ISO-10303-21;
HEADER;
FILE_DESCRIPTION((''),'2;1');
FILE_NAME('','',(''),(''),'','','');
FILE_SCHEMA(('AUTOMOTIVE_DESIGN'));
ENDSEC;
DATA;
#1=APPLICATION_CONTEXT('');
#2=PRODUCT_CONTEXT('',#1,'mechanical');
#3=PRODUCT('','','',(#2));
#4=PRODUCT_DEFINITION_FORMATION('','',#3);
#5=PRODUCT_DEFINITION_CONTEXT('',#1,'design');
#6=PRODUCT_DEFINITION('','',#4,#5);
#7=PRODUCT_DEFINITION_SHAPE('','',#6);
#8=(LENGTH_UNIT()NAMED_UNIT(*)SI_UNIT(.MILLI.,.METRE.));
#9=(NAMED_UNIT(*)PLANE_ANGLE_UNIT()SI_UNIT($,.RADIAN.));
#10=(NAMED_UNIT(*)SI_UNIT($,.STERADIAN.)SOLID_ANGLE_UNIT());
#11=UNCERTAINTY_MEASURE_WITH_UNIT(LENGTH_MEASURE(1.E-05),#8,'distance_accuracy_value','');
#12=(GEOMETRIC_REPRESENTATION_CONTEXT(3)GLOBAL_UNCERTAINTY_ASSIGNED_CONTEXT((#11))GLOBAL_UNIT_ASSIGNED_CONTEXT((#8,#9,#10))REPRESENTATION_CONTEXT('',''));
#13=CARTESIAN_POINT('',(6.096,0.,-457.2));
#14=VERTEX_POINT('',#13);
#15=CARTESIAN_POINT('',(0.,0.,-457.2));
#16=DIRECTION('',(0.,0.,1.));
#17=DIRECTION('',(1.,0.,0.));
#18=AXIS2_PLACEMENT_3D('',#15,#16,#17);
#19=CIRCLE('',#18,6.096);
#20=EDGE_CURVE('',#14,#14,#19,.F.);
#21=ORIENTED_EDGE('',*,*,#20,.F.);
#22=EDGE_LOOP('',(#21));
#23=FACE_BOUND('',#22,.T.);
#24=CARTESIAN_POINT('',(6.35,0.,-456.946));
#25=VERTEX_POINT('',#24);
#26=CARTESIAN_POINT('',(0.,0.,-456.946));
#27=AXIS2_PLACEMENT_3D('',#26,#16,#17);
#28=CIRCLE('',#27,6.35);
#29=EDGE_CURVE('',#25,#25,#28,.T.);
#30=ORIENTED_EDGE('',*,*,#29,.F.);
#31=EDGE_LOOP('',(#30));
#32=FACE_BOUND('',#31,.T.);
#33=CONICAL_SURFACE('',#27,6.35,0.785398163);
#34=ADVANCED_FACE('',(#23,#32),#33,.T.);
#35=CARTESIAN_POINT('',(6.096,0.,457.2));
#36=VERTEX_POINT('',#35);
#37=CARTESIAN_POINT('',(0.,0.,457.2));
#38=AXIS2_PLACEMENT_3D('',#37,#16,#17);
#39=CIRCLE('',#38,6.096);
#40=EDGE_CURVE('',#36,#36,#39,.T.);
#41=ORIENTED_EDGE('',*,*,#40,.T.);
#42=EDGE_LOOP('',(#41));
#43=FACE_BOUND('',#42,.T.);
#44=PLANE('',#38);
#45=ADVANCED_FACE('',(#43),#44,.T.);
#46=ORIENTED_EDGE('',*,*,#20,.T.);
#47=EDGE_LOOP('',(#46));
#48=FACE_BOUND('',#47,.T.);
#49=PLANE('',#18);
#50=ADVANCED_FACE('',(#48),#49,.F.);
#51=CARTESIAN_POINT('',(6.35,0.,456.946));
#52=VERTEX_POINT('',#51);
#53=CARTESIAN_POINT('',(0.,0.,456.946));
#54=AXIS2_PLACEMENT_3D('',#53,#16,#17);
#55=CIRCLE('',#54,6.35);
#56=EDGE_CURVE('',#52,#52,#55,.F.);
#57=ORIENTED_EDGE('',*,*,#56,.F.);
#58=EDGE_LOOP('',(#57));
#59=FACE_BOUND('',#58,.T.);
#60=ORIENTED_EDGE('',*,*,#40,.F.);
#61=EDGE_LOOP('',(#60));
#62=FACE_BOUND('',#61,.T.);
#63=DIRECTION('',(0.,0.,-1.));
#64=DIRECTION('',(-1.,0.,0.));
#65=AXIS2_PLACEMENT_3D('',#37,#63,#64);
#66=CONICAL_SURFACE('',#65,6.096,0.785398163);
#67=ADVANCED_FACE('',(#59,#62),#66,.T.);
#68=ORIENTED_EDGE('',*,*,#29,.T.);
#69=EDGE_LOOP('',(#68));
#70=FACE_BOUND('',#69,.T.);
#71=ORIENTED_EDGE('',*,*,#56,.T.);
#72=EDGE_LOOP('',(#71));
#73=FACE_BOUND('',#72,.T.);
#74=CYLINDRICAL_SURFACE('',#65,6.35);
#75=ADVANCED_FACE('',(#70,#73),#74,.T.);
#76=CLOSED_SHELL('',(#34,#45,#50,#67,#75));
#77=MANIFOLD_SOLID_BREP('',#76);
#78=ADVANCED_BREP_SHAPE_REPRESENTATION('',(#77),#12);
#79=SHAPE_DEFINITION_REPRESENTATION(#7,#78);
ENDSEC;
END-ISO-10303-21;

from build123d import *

# Parameters (mm, degrees)
SKETCH3_R                = 6.35
BOSS_EXTRUDE1_DEPTH      = 457.2
BOSS_EXTRUDE1_DEPTH_BACK = 457.2
CHAMFER1_SIZE            = 0.254


with BuildPart() as part:
    # Sketch3 → Boss-Extrude1 (new body, two sides)
    with BuildSketch(Plane.XY) as boss_extrude1_sk:
        Circle(SKETCH3_R)
    extrude(amount=BOSS_EXTRUDE1_DEPTH)
    extrude(boss_extrude1_sk.sketch, amount=-BOSS_EXTRUDE1_DEPTH_BACK)

    # Chamfer1
    chamfer1_edges = [part.edges().sort_by_distance(p)[0] for p in [
        (-6.35, 0, -457.2),
        (-6.35, 0, 457.2),
    ]]
    chamfer(chamfer1_edges, length=CHAMFER1_SIZE)


solid = part.part
